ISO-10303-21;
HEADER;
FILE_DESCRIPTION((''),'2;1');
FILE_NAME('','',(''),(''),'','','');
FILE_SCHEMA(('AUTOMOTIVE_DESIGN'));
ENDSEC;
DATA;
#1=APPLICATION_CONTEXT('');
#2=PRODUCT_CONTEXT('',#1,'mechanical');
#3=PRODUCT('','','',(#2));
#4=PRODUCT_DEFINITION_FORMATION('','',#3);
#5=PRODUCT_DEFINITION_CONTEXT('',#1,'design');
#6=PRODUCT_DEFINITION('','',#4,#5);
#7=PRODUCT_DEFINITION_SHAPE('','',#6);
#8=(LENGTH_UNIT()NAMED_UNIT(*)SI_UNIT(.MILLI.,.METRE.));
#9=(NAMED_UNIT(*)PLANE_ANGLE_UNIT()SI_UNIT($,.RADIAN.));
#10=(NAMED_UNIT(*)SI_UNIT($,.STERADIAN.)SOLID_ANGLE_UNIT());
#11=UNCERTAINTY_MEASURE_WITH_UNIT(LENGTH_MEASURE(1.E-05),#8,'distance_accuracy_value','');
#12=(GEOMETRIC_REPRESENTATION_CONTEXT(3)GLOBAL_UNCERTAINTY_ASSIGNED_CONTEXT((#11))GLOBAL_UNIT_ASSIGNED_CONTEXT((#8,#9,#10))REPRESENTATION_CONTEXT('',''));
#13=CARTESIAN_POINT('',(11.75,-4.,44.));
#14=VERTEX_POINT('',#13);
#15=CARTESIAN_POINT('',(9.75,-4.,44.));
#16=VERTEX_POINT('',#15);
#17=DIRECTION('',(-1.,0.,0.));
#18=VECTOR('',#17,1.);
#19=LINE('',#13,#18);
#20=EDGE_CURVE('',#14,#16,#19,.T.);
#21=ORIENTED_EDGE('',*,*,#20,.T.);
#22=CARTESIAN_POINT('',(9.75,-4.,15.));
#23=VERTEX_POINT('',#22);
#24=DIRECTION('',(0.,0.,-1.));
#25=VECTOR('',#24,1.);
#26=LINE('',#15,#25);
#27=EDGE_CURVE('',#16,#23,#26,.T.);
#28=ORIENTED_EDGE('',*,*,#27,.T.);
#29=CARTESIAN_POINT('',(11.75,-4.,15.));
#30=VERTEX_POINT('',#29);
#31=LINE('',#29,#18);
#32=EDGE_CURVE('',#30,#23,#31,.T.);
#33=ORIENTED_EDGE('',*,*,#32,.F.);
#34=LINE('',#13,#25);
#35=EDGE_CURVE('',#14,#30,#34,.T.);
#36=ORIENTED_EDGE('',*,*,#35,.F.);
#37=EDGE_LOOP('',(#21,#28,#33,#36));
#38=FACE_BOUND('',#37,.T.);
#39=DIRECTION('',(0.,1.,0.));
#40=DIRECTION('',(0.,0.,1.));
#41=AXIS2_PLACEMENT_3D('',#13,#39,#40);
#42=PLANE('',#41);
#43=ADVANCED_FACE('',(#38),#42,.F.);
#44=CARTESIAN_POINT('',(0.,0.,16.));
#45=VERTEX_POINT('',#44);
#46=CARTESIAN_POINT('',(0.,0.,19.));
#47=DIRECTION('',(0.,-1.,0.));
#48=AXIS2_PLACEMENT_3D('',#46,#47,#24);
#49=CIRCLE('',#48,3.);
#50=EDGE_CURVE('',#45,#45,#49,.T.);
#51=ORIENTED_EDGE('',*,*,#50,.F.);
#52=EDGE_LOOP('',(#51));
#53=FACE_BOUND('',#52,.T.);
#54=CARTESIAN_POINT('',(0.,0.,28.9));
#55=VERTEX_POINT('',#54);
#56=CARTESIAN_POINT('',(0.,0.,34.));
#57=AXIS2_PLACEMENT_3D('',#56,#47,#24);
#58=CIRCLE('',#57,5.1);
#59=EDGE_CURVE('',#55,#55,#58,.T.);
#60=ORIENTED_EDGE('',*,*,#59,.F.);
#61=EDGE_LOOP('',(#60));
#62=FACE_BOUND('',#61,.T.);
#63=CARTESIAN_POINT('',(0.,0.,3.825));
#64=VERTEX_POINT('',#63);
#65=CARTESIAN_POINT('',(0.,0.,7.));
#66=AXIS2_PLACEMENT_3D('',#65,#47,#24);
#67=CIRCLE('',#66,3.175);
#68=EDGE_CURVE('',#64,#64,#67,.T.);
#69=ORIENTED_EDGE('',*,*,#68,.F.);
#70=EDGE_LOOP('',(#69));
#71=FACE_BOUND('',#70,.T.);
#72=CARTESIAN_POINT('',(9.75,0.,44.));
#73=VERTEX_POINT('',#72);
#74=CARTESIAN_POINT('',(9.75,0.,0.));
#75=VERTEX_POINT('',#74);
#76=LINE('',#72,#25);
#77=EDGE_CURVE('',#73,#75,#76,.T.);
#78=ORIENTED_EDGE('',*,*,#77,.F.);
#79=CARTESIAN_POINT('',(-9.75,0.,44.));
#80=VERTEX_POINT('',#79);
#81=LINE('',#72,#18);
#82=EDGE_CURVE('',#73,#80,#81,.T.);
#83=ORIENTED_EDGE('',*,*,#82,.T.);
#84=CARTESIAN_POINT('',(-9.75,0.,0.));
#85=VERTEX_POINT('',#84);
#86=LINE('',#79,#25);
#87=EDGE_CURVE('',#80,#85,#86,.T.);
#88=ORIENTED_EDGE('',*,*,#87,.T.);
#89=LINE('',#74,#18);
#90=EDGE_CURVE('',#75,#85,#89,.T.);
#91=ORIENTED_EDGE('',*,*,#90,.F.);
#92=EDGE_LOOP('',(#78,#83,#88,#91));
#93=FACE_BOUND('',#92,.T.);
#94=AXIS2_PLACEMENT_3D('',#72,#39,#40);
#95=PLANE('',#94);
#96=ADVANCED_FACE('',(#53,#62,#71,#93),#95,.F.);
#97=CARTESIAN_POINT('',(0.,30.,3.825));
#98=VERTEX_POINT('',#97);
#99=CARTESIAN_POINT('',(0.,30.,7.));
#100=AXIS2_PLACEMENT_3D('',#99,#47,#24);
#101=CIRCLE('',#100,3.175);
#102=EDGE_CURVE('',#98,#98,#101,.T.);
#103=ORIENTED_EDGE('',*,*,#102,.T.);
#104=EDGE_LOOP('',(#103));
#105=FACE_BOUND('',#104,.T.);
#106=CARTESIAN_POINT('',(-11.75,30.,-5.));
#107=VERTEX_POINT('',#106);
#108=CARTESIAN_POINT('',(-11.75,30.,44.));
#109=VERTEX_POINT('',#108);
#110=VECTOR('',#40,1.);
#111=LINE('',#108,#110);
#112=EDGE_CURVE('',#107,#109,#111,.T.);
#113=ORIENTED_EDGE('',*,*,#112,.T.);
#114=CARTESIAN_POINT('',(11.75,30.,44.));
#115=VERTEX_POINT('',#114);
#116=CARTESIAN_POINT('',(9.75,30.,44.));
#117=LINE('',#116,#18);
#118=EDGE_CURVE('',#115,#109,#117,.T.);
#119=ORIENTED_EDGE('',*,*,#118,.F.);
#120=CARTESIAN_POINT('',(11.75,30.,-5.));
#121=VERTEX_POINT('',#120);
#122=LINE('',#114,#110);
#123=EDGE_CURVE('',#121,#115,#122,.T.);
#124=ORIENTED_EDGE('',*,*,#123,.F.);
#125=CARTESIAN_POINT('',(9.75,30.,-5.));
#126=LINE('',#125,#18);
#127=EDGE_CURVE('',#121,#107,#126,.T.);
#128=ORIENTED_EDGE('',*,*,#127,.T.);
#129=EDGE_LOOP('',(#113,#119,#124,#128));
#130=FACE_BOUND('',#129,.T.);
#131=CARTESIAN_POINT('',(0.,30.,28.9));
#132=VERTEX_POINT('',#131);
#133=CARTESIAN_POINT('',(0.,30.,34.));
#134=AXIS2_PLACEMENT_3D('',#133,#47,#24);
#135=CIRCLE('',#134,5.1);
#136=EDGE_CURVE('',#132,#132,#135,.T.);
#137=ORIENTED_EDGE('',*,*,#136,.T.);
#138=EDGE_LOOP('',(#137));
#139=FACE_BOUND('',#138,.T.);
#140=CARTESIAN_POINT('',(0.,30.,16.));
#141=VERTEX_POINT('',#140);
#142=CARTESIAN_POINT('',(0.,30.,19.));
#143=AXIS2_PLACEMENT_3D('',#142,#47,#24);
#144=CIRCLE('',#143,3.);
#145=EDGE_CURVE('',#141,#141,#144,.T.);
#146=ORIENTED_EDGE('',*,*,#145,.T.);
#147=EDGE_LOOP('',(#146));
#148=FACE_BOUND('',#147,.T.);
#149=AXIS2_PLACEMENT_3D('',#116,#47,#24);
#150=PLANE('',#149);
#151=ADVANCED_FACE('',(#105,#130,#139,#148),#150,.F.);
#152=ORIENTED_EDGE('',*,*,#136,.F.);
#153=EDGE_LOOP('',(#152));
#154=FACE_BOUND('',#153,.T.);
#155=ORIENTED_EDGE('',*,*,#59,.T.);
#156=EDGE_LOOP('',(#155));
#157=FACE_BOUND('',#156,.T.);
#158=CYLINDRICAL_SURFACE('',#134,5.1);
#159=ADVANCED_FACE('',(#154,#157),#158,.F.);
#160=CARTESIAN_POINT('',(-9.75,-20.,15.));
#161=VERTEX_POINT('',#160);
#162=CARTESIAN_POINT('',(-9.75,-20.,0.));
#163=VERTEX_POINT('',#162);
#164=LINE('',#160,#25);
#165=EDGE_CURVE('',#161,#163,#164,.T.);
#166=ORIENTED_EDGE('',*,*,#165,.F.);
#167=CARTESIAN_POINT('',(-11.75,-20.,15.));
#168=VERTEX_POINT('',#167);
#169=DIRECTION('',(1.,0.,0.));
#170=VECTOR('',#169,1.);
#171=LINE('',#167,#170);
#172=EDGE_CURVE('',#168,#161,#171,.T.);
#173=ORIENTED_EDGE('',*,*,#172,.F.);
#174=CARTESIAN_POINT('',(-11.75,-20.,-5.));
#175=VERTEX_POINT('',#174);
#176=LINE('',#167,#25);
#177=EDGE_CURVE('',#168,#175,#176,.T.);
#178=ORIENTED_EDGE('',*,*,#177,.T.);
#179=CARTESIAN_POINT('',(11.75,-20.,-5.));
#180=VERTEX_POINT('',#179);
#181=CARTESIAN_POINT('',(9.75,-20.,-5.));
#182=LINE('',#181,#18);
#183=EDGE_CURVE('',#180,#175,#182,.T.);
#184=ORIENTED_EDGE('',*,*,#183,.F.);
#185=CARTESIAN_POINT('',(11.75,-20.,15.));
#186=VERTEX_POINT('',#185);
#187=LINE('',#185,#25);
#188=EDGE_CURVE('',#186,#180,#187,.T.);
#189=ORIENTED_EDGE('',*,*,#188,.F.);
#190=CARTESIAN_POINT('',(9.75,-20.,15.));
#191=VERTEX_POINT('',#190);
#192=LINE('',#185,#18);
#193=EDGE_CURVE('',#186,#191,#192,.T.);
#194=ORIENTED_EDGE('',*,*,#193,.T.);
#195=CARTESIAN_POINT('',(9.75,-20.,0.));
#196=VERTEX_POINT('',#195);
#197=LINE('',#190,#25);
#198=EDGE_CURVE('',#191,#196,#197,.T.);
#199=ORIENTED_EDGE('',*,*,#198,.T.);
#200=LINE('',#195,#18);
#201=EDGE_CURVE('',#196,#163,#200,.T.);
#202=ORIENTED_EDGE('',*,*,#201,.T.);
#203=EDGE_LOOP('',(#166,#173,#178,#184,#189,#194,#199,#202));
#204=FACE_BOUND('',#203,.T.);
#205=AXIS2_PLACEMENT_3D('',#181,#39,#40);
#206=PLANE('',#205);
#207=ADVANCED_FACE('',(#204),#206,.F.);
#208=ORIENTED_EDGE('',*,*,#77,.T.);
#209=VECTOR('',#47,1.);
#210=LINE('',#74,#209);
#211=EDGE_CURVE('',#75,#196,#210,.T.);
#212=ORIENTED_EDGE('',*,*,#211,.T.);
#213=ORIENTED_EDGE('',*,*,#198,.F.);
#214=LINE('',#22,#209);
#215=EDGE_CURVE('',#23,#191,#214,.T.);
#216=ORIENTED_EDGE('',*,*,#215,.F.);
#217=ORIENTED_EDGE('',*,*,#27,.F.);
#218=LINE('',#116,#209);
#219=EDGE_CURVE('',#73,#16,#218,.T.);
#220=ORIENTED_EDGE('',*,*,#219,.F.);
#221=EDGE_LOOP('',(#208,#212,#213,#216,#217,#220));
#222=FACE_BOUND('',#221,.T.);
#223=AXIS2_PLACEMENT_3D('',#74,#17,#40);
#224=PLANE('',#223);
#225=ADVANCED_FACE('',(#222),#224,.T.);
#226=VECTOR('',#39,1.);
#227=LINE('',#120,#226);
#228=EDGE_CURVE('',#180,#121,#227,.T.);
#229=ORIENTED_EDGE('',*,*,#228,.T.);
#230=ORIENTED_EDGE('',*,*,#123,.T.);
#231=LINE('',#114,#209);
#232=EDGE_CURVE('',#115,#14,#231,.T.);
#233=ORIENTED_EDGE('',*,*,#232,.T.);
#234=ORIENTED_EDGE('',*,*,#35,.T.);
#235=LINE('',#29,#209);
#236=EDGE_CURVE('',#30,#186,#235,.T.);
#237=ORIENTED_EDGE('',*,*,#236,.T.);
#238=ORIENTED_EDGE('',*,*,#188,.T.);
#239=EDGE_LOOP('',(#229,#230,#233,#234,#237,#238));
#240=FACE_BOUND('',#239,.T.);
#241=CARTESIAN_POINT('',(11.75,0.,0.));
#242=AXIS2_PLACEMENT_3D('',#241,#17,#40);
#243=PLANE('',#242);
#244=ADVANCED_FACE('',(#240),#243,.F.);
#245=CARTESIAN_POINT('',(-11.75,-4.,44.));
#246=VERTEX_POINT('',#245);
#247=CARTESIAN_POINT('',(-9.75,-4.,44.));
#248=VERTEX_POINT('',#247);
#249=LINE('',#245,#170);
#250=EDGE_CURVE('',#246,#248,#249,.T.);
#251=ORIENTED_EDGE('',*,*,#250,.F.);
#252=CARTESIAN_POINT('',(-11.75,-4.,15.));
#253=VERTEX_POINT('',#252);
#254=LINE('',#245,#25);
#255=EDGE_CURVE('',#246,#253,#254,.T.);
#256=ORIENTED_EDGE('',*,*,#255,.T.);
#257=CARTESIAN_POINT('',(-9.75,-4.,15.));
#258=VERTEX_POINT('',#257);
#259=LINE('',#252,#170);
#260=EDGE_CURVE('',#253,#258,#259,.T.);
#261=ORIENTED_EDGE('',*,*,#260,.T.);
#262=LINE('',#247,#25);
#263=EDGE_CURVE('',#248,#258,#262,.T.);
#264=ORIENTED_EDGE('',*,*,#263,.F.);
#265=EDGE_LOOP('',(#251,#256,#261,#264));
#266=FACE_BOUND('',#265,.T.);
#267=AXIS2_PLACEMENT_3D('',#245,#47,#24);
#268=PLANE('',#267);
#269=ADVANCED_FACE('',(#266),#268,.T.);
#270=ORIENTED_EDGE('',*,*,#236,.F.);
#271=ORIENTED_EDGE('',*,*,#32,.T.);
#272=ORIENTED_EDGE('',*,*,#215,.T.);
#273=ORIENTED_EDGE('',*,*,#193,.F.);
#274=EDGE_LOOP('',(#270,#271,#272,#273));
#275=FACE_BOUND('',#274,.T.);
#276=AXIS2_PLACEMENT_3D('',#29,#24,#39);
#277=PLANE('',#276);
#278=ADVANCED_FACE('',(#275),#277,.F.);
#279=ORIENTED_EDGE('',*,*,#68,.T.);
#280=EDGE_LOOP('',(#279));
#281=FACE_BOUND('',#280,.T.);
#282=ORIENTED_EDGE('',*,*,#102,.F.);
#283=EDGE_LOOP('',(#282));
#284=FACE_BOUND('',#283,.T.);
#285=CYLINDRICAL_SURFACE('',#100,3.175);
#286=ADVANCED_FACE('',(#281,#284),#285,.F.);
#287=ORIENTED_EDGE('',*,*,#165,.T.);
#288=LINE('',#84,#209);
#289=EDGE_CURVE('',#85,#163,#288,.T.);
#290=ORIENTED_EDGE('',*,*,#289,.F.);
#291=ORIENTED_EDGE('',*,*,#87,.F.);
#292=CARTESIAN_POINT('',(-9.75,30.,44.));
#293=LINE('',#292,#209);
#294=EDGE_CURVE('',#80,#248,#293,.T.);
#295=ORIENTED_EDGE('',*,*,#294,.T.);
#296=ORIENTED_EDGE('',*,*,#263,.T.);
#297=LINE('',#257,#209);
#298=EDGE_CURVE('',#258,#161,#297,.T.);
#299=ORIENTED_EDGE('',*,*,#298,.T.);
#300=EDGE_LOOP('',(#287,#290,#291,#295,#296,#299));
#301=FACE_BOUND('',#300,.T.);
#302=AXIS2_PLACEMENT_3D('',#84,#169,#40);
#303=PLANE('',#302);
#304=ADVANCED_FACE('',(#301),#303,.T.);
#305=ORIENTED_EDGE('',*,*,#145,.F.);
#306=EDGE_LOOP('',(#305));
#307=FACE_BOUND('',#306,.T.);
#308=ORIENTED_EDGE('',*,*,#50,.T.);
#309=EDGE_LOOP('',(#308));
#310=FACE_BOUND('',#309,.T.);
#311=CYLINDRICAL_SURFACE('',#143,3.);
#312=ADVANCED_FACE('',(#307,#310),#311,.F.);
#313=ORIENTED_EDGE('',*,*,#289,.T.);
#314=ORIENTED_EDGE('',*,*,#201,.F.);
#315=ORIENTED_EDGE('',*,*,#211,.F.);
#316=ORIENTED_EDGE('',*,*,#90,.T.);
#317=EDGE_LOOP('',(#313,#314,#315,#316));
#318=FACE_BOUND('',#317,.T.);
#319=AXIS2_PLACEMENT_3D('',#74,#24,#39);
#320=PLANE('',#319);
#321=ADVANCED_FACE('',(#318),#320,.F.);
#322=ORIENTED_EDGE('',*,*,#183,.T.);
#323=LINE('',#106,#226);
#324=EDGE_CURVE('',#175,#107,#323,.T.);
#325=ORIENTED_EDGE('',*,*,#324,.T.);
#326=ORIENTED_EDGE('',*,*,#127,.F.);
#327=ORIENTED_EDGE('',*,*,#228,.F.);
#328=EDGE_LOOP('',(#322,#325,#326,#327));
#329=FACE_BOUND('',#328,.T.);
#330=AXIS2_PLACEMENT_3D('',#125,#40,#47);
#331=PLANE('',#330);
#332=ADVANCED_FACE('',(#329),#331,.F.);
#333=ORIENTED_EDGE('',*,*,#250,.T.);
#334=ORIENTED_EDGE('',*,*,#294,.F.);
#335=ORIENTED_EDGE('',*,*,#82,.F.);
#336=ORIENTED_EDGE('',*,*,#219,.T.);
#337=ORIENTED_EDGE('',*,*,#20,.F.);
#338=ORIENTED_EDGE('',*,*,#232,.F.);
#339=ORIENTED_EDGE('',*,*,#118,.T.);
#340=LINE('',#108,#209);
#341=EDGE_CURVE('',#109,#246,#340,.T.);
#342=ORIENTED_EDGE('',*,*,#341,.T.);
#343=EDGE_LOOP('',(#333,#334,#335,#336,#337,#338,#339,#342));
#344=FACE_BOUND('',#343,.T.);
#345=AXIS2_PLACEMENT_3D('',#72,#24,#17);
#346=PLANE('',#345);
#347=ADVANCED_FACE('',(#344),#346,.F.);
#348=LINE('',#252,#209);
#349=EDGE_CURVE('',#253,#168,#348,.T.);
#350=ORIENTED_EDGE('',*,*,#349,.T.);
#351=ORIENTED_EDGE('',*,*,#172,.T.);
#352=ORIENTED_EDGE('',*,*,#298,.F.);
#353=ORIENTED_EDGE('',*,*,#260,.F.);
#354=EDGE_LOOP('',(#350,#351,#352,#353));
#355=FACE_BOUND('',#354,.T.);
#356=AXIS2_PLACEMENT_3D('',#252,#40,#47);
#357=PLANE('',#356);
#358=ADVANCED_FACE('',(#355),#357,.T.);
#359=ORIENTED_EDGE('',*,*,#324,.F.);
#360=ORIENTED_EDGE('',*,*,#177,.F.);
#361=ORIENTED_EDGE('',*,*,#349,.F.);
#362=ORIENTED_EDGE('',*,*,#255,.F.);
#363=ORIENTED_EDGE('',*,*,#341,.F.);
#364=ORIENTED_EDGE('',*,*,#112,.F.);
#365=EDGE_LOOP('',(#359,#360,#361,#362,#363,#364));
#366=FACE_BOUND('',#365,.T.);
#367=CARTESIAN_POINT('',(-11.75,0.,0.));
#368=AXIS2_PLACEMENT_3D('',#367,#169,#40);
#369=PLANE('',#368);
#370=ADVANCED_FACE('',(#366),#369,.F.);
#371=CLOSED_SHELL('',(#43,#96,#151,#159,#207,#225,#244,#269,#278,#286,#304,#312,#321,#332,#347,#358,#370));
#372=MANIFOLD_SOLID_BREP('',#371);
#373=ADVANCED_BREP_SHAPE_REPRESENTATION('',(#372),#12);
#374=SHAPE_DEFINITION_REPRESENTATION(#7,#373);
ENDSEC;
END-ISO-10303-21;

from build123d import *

# Parameters (mm, degrees)
BOSS_EXTRUDE1_DEPTH = 9.75
BOSS_EXTRUDE2_DEPTH = 2
SKETCH4_R           = 5.1
SKETCH4_R_2         = 3
SKETCH4_R_3         = 3.175
CUT_EXTRUDE1_DEPTH  = 55.534965848


with BuildPart() as part:
    # Sketch2 → Boss-Extrude1 (new, symmetric)
    with BuildSketch(Plane(origin=(0, 0, 0), x_dir=(0, 0, -1), z_dir=(1, 0, 0))):
        Polygon((-44, 0), (0, 0), (0, -20), (5, -20), (5, 30), (-44, 30), align=None)
    extrude(amount=BOSS_EXTRUDE1_DEPTH, both=True)

    # Sketch3 → Boss-Extrude2 (add)
    with BuildSketch(Plane(origin=(9.75, 0, 0), x_dir=(0, 0, -1), z_dir=(1, 0, 0))):
        Polygon((-44, 30), (-44, -4), (-15, -4), (-15, -20), (5, -20), (5, 30), align=None)
    boss_extrude2 = extrude(amount=BOSS_EXTRUDE2_DEPTH)

    # Mirror1: Boss-Extrude2 across plane
    add(boss_extrude2.mirror(Plane(origin=(0, 0, 0), x_dir=(0, 0, 1), z_dir=(1, 0, 0))))

    # Sketch4 → Cut-Extrude1 (cut, through all)
    with BuildSketch(Plane.XZ):
        with Locations(Location((0, 34, 0), (0, 0, 270))):
            Circle(SKETCH4_R)
        with Locations(Location((0, 19, 0), (0, 0, 270))):
            Circle(SKETCH4_R_2)
        with Locations(Location((0, 7, 0), (0, 0, 270))):
            Circle(SKETCH4_R_3)
    extrude(amount=-CUT_EXTRUDE1_DEPTH, mode=Mode.SUBTRACT)


solid = part.part
